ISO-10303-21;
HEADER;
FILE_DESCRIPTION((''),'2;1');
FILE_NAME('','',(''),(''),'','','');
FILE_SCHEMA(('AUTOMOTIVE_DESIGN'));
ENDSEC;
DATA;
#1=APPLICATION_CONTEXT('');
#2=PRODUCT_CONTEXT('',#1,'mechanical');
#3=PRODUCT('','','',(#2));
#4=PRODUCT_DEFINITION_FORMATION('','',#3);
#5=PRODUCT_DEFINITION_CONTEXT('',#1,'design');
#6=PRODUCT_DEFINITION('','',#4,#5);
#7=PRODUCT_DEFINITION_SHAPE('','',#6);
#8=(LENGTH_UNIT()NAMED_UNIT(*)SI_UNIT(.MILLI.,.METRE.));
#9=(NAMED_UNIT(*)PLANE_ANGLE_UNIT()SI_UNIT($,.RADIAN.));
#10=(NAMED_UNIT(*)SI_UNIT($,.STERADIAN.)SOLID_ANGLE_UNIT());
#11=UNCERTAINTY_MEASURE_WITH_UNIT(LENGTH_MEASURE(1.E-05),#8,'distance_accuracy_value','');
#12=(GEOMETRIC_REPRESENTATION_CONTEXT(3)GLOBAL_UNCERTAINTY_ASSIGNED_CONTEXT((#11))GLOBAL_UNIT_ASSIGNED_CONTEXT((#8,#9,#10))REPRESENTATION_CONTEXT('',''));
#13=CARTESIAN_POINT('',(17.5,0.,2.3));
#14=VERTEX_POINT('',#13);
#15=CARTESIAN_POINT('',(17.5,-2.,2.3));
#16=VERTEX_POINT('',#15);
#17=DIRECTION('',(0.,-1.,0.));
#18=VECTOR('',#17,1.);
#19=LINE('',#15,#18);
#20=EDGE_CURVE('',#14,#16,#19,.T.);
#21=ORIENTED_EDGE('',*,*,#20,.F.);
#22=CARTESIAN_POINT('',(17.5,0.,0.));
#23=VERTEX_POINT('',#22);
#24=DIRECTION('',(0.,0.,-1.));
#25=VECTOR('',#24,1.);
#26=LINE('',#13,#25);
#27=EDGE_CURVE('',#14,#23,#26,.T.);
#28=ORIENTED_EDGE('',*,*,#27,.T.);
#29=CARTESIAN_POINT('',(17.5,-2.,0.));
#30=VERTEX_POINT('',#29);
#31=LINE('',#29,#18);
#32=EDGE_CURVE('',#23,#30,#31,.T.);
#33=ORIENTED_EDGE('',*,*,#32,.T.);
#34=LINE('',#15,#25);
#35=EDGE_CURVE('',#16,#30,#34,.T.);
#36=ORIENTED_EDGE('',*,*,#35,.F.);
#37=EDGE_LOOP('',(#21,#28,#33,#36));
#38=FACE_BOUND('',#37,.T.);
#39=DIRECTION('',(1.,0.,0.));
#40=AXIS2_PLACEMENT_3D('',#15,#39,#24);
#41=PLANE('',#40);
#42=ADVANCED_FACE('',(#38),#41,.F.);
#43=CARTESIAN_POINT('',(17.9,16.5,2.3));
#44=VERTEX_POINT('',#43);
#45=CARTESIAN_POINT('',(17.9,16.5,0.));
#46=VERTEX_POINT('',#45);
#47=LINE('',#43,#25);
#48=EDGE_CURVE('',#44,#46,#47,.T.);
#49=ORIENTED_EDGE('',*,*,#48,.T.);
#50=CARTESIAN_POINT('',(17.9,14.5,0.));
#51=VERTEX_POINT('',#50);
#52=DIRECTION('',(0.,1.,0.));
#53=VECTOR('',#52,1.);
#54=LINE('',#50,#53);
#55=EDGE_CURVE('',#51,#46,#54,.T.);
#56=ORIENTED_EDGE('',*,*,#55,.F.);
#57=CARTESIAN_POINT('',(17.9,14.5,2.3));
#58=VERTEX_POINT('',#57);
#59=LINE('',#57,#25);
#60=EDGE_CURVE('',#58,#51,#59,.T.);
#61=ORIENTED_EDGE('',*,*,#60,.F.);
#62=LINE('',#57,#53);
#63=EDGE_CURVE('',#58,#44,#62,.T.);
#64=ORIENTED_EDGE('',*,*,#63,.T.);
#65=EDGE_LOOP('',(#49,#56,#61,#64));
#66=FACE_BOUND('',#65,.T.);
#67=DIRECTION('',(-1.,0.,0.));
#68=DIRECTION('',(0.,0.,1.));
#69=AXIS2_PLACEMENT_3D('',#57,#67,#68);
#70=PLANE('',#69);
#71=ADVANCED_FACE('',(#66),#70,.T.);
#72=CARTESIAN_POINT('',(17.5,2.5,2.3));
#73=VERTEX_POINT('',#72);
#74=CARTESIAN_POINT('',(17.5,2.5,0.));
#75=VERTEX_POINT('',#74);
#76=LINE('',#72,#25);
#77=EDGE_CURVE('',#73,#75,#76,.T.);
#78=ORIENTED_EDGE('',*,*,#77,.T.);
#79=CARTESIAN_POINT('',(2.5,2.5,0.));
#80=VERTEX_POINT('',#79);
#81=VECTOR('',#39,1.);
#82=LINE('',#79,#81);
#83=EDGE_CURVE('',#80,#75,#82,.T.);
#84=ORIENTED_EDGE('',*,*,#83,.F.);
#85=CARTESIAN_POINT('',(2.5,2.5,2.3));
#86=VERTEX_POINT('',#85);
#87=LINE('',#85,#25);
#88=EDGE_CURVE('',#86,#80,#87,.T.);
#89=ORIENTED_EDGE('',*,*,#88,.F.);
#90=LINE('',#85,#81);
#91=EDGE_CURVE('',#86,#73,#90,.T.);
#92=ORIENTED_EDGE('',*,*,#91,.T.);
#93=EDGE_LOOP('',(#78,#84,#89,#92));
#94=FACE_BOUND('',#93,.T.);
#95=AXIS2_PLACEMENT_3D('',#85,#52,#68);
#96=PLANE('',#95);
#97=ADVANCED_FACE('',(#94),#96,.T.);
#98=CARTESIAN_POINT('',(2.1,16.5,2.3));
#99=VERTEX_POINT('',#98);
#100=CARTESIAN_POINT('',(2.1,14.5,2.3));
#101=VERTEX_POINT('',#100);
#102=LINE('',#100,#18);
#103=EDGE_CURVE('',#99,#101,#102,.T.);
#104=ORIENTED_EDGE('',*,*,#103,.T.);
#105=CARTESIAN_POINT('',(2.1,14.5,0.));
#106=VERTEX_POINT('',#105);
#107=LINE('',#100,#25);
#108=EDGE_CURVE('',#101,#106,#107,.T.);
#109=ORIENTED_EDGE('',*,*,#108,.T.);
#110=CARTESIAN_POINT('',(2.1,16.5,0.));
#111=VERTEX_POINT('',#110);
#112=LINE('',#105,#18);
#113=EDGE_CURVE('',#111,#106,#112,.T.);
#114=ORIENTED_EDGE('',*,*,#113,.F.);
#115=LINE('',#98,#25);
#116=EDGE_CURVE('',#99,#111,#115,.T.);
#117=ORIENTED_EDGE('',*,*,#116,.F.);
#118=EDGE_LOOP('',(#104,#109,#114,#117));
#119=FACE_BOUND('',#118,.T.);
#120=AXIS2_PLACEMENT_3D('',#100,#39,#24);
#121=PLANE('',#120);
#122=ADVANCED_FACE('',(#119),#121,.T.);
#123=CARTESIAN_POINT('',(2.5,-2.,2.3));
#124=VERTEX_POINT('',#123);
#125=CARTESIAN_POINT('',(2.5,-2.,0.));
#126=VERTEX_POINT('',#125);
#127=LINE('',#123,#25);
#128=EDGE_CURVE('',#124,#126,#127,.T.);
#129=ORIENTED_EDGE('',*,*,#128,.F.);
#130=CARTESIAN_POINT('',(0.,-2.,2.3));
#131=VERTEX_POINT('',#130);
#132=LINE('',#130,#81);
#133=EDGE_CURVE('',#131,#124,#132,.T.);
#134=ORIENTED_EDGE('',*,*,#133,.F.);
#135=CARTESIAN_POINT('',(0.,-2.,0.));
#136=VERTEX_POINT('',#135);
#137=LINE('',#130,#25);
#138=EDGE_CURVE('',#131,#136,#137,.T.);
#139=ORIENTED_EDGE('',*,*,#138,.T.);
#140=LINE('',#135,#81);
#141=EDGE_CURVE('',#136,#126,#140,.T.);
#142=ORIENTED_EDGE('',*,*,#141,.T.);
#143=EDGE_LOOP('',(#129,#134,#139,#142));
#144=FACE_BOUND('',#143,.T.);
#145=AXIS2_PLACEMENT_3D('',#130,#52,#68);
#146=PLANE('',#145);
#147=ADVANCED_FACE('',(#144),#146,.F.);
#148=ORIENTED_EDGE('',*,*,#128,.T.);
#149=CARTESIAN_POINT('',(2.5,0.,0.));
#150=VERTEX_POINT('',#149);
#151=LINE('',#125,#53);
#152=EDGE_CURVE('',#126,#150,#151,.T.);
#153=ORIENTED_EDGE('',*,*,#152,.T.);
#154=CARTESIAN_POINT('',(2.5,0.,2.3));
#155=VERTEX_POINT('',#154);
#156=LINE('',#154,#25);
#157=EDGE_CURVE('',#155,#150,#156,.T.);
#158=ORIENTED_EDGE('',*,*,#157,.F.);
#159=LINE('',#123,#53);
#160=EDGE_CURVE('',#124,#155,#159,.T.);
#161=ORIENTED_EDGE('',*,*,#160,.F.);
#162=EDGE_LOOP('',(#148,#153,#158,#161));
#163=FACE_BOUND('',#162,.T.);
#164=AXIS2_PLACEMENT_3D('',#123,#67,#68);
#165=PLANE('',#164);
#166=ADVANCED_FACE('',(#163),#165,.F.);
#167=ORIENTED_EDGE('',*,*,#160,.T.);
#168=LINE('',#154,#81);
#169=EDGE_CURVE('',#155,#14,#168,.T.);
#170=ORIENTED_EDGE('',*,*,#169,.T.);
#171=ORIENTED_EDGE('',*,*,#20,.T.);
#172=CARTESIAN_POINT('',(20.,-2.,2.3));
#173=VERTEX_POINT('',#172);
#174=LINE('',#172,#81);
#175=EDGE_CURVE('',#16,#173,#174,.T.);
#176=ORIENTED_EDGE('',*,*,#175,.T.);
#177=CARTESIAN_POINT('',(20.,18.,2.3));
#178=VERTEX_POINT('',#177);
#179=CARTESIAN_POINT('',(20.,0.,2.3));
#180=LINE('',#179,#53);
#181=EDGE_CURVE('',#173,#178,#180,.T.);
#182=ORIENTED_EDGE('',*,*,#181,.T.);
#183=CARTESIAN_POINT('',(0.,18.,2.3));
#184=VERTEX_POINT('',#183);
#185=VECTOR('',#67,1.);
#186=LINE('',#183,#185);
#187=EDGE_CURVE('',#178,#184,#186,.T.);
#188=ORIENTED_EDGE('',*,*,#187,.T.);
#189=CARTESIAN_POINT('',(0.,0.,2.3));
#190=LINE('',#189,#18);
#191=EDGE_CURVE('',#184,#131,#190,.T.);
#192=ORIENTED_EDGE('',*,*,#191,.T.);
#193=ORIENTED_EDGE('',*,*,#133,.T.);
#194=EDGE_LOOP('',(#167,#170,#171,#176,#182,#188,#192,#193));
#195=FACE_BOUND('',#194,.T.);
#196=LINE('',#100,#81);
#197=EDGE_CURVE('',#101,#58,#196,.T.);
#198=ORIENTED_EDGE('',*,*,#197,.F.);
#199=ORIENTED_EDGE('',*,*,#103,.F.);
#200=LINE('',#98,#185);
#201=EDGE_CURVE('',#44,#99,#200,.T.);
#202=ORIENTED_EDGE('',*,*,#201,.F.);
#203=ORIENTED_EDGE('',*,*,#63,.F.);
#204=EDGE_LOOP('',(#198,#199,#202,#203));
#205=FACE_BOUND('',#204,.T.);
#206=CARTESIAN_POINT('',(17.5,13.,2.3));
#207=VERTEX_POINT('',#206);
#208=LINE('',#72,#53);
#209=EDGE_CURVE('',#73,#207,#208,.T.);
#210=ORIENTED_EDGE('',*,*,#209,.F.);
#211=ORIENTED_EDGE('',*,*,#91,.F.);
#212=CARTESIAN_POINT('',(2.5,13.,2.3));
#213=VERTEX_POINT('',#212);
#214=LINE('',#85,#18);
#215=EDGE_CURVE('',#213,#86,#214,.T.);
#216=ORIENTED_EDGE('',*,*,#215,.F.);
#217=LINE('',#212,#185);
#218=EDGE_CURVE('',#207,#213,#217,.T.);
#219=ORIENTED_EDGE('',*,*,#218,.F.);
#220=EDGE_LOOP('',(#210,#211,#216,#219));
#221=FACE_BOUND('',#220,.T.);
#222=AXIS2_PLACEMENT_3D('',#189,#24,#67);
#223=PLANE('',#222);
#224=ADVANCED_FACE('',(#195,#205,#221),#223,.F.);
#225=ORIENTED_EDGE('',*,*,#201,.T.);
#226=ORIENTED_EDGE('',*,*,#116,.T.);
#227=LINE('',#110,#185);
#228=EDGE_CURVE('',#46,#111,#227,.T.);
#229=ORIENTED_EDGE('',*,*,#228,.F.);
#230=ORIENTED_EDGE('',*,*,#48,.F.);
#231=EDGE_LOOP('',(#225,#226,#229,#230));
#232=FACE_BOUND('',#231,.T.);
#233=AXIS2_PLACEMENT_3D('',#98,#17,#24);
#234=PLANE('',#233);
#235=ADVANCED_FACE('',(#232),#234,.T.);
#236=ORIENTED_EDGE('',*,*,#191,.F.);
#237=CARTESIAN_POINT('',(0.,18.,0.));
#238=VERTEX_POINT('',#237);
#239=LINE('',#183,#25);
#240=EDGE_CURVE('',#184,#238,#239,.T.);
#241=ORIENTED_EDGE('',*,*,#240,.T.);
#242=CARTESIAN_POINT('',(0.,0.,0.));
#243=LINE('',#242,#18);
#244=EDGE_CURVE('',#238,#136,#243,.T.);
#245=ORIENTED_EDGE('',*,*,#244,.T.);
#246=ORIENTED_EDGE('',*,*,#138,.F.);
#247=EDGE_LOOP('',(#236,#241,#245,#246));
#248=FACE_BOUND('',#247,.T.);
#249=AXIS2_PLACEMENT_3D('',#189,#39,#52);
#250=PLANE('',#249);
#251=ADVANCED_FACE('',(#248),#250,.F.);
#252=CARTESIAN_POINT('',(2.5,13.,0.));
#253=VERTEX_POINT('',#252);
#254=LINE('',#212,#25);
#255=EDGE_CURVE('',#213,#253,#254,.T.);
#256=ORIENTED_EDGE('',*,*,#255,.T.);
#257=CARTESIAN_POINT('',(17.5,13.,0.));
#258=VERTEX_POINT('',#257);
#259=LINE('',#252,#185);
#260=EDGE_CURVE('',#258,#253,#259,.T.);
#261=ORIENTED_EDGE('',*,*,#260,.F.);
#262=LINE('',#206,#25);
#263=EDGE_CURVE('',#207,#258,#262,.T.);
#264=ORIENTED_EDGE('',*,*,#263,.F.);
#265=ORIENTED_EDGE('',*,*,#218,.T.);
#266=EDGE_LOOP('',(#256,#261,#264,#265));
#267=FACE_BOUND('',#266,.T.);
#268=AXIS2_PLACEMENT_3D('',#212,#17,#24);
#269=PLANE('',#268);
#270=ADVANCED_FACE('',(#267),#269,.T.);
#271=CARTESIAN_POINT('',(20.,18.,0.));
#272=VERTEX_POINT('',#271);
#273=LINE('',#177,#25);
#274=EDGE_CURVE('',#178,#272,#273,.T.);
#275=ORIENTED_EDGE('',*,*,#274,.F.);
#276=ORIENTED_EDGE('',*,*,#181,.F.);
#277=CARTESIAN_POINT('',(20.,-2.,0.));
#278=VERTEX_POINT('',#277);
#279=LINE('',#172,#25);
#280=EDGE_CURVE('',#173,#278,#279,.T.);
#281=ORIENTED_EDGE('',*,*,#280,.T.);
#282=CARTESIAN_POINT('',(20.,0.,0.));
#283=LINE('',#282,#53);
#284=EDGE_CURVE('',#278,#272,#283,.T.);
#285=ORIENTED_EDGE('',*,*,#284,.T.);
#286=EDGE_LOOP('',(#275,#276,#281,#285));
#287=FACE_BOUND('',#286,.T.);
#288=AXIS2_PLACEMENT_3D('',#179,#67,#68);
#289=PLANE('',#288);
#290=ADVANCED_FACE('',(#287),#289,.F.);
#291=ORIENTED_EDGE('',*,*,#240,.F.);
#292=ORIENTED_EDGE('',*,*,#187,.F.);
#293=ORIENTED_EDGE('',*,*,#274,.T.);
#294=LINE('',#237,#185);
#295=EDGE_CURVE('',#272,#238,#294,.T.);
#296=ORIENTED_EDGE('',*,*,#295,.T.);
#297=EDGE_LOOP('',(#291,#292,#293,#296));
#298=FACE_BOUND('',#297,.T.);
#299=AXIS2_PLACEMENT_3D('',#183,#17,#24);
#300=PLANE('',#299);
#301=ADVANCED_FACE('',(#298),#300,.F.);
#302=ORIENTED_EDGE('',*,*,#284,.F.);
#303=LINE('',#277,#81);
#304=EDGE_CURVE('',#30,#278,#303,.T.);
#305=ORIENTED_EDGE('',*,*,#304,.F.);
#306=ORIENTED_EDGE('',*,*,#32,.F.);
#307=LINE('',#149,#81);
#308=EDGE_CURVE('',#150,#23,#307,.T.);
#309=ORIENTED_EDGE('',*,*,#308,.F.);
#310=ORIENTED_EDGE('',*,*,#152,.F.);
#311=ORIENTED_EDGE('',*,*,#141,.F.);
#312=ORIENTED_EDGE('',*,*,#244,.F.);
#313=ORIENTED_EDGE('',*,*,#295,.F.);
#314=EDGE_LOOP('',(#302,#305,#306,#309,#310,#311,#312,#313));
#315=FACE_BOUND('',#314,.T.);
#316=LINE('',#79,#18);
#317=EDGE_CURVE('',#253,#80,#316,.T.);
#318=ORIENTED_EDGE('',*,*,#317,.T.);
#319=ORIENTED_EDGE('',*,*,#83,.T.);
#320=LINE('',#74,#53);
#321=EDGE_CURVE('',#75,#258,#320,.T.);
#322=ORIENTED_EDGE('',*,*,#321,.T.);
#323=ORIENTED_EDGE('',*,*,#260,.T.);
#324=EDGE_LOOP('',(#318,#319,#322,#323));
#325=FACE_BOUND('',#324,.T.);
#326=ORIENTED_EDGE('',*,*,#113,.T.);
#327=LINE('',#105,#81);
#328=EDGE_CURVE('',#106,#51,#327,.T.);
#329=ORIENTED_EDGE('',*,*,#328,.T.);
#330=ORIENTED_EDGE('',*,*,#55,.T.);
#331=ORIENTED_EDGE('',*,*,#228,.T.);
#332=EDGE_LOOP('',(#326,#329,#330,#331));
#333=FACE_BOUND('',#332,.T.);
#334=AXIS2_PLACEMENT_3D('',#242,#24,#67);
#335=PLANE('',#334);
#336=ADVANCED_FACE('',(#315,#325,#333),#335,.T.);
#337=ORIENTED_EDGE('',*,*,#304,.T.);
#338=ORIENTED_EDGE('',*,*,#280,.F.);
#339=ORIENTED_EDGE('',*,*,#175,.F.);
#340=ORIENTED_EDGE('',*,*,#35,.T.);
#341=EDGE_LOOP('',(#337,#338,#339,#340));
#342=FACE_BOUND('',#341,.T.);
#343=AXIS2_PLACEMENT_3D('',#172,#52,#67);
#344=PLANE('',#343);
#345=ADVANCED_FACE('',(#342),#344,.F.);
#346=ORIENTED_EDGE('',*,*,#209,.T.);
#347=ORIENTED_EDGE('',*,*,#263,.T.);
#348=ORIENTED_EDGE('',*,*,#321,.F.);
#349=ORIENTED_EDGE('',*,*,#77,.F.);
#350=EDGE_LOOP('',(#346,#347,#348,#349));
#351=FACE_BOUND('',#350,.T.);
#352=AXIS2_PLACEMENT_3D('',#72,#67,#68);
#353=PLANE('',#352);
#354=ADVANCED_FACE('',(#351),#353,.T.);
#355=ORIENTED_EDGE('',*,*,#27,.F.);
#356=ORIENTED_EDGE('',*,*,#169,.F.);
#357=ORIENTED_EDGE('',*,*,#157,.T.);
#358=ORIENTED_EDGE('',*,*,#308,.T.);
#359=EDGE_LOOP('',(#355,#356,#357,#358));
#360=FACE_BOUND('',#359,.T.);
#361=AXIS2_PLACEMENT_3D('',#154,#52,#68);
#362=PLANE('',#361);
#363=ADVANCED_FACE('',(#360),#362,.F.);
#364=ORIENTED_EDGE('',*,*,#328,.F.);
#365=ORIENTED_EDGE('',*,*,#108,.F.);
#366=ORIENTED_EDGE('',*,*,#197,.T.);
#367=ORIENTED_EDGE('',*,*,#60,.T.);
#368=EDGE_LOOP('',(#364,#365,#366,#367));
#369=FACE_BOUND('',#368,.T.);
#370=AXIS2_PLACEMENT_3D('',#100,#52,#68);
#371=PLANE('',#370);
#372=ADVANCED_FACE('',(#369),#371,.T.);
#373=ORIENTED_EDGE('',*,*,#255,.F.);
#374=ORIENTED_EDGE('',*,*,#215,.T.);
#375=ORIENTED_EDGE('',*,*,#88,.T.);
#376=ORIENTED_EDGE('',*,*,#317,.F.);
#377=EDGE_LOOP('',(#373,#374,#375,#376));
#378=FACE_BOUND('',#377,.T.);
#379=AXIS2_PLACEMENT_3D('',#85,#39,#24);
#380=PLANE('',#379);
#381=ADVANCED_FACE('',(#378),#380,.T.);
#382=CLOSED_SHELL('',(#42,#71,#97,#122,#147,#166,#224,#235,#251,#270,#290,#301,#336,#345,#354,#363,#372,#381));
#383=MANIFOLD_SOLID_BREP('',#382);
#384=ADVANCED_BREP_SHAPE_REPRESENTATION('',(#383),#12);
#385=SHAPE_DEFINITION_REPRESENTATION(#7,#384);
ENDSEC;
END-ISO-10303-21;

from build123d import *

# Parameters (mm, degrees)
SKETCH1_W           = 15
SKETCH1_H           = 10.5
SKETCH1_W_2         = 15.8
SKETCH1_H_2         = 2
BOSS_EXTRUDE1_DEPTH = 2.3


with BuildPart() as part:
    # Sketch1 → Boss-Extrude1 (new body)
    with BuildSketch(Plane.XY):
        Polygon((0, 0), (0, -2), (2.5, -2), (2.5, 0), (17.5, 0), (17.5, -2), (20, -2), (20, 0), (20, 18), (0, 18), align=None)
        with Locations((10, 7.75)):
            Rectangle(SKETCH1_W, SKETCH1_H, mode=Mode.SUBTRACT)
        with Locations((10, 15.5)):
            Rectangle(SKETCH1_W_2, SKETCH1_H_2, mode=Mode.SUBTRACT)
    extrude(amount=BOSS_EXTRUDE1_DEPTH)


solid = part.part
